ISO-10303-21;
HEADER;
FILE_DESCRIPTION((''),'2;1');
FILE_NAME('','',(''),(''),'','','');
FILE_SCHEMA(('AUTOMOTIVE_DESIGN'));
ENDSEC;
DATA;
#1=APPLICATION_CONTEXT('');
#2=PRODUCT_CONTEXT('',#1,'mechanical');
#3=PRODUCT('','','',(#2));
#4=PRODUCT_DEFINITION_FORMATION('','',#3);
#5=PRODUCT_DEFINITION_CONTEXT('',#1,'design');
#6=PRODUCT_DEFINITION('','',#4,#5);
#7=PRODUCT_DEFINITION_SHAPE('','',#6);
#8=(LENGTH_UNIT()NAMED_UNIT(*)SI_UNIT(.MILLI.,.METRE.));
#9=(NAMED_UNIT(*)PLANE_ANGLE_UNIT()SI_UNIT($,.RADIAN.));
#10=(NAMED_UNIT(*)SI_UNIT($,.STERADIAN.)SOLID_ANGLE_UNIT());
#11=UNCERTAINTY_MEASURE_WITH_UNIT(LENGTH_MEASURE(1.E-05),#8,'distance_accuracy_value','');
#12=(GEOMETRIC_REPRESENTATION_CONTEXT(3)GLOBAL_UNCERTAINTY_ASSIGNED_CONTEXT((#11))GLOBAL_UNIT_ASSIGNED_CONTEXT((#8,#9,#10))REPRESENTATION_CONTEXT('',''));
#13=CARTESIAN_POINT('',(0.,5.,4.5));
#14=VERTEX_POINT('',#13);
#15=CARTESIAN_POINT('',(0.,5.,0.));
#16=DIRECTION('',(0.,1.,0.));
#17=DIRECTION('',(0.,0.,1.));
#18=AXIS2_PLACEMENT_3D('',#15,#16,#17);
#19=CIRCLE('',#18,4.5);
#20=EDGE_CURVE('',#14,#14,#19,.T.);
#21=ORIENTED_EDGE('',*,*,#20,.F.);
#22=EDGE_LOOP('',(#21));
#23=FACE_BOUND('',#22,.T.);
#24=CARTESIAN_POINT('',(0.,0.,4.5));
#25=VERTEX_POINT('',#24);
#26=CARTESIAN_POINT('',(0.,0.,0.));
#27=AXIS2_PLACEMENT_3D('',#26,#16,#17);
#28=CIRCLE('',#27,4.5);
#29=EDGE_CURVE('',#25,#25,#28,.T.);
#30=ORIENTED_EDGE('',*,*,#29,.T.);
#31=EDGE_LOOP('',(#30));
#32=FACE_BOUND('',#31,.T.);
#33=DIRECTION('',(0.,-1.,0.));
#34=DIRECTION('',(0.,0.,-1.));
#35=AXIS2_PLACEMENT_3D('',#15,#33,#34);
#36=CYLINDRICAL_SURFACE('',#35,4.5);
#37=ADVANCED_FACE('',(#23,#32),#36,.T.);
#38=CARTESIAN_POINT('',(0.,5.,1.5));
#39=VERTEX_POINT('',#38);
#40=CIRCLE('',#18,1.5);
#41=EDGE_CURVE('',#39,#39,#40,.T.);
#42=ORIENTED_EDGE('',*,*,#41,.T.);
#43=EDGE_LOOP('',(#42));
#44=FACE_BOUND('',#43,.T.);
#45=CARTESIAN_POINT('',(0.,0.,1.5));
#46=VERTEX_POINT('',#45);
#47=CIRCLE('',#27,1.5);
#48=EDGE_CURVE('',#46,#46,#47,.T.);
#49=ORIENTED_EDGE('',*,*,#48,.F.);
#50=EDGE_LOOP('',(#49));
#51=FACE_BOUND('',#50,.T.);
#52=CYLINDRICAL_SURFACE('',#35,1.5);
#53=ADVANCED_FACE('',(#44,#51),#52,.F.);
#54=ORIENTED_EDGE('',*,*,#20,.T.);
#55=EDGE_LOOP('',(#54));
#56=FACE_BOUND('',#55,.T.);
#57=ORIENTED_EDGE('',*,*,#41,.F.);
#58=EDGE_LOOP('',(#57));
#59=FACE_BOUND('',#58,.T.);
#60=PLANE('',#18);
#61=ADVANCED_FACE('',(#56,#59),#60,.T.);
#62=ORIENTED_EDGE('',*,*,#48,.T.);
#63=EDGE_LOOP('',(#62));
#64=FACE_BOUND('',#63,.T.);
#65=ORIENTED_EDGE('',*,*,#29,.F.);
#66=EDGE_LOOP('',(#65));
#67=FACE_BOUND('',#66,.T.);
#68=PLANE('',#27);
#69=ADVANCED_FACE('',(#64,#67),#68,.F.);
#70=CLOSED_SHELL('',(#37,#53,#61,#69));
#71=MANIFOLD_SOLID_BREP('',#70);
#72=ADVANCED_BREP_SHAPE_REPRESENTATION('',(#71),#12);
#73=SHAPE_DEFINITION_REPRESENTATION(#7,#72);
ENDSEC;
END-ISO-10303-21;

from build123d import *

# Parameters (mm, degrees)
SKETCH1_R           = 4.5
SKETCH1_R_2         = 1.5
BOSS_EXTRUDE1_DEPTH = 5


with BuildPart() as part:
    # Sketch1 → Boss-Extrude1 (new body)
    with BuildSketch(Plane(origin=(0, 0, 0), x_dir=(1, 0, 0), z_dir=(0, 1, 0))):
        Circle(SKETCH1_R)
        Circle(SKETCH1_R_2, mode=Mode.SUBTRACT)
    extrude(amount=BOSS_EXTRUDE1_DEPTH)


solid = part.part
